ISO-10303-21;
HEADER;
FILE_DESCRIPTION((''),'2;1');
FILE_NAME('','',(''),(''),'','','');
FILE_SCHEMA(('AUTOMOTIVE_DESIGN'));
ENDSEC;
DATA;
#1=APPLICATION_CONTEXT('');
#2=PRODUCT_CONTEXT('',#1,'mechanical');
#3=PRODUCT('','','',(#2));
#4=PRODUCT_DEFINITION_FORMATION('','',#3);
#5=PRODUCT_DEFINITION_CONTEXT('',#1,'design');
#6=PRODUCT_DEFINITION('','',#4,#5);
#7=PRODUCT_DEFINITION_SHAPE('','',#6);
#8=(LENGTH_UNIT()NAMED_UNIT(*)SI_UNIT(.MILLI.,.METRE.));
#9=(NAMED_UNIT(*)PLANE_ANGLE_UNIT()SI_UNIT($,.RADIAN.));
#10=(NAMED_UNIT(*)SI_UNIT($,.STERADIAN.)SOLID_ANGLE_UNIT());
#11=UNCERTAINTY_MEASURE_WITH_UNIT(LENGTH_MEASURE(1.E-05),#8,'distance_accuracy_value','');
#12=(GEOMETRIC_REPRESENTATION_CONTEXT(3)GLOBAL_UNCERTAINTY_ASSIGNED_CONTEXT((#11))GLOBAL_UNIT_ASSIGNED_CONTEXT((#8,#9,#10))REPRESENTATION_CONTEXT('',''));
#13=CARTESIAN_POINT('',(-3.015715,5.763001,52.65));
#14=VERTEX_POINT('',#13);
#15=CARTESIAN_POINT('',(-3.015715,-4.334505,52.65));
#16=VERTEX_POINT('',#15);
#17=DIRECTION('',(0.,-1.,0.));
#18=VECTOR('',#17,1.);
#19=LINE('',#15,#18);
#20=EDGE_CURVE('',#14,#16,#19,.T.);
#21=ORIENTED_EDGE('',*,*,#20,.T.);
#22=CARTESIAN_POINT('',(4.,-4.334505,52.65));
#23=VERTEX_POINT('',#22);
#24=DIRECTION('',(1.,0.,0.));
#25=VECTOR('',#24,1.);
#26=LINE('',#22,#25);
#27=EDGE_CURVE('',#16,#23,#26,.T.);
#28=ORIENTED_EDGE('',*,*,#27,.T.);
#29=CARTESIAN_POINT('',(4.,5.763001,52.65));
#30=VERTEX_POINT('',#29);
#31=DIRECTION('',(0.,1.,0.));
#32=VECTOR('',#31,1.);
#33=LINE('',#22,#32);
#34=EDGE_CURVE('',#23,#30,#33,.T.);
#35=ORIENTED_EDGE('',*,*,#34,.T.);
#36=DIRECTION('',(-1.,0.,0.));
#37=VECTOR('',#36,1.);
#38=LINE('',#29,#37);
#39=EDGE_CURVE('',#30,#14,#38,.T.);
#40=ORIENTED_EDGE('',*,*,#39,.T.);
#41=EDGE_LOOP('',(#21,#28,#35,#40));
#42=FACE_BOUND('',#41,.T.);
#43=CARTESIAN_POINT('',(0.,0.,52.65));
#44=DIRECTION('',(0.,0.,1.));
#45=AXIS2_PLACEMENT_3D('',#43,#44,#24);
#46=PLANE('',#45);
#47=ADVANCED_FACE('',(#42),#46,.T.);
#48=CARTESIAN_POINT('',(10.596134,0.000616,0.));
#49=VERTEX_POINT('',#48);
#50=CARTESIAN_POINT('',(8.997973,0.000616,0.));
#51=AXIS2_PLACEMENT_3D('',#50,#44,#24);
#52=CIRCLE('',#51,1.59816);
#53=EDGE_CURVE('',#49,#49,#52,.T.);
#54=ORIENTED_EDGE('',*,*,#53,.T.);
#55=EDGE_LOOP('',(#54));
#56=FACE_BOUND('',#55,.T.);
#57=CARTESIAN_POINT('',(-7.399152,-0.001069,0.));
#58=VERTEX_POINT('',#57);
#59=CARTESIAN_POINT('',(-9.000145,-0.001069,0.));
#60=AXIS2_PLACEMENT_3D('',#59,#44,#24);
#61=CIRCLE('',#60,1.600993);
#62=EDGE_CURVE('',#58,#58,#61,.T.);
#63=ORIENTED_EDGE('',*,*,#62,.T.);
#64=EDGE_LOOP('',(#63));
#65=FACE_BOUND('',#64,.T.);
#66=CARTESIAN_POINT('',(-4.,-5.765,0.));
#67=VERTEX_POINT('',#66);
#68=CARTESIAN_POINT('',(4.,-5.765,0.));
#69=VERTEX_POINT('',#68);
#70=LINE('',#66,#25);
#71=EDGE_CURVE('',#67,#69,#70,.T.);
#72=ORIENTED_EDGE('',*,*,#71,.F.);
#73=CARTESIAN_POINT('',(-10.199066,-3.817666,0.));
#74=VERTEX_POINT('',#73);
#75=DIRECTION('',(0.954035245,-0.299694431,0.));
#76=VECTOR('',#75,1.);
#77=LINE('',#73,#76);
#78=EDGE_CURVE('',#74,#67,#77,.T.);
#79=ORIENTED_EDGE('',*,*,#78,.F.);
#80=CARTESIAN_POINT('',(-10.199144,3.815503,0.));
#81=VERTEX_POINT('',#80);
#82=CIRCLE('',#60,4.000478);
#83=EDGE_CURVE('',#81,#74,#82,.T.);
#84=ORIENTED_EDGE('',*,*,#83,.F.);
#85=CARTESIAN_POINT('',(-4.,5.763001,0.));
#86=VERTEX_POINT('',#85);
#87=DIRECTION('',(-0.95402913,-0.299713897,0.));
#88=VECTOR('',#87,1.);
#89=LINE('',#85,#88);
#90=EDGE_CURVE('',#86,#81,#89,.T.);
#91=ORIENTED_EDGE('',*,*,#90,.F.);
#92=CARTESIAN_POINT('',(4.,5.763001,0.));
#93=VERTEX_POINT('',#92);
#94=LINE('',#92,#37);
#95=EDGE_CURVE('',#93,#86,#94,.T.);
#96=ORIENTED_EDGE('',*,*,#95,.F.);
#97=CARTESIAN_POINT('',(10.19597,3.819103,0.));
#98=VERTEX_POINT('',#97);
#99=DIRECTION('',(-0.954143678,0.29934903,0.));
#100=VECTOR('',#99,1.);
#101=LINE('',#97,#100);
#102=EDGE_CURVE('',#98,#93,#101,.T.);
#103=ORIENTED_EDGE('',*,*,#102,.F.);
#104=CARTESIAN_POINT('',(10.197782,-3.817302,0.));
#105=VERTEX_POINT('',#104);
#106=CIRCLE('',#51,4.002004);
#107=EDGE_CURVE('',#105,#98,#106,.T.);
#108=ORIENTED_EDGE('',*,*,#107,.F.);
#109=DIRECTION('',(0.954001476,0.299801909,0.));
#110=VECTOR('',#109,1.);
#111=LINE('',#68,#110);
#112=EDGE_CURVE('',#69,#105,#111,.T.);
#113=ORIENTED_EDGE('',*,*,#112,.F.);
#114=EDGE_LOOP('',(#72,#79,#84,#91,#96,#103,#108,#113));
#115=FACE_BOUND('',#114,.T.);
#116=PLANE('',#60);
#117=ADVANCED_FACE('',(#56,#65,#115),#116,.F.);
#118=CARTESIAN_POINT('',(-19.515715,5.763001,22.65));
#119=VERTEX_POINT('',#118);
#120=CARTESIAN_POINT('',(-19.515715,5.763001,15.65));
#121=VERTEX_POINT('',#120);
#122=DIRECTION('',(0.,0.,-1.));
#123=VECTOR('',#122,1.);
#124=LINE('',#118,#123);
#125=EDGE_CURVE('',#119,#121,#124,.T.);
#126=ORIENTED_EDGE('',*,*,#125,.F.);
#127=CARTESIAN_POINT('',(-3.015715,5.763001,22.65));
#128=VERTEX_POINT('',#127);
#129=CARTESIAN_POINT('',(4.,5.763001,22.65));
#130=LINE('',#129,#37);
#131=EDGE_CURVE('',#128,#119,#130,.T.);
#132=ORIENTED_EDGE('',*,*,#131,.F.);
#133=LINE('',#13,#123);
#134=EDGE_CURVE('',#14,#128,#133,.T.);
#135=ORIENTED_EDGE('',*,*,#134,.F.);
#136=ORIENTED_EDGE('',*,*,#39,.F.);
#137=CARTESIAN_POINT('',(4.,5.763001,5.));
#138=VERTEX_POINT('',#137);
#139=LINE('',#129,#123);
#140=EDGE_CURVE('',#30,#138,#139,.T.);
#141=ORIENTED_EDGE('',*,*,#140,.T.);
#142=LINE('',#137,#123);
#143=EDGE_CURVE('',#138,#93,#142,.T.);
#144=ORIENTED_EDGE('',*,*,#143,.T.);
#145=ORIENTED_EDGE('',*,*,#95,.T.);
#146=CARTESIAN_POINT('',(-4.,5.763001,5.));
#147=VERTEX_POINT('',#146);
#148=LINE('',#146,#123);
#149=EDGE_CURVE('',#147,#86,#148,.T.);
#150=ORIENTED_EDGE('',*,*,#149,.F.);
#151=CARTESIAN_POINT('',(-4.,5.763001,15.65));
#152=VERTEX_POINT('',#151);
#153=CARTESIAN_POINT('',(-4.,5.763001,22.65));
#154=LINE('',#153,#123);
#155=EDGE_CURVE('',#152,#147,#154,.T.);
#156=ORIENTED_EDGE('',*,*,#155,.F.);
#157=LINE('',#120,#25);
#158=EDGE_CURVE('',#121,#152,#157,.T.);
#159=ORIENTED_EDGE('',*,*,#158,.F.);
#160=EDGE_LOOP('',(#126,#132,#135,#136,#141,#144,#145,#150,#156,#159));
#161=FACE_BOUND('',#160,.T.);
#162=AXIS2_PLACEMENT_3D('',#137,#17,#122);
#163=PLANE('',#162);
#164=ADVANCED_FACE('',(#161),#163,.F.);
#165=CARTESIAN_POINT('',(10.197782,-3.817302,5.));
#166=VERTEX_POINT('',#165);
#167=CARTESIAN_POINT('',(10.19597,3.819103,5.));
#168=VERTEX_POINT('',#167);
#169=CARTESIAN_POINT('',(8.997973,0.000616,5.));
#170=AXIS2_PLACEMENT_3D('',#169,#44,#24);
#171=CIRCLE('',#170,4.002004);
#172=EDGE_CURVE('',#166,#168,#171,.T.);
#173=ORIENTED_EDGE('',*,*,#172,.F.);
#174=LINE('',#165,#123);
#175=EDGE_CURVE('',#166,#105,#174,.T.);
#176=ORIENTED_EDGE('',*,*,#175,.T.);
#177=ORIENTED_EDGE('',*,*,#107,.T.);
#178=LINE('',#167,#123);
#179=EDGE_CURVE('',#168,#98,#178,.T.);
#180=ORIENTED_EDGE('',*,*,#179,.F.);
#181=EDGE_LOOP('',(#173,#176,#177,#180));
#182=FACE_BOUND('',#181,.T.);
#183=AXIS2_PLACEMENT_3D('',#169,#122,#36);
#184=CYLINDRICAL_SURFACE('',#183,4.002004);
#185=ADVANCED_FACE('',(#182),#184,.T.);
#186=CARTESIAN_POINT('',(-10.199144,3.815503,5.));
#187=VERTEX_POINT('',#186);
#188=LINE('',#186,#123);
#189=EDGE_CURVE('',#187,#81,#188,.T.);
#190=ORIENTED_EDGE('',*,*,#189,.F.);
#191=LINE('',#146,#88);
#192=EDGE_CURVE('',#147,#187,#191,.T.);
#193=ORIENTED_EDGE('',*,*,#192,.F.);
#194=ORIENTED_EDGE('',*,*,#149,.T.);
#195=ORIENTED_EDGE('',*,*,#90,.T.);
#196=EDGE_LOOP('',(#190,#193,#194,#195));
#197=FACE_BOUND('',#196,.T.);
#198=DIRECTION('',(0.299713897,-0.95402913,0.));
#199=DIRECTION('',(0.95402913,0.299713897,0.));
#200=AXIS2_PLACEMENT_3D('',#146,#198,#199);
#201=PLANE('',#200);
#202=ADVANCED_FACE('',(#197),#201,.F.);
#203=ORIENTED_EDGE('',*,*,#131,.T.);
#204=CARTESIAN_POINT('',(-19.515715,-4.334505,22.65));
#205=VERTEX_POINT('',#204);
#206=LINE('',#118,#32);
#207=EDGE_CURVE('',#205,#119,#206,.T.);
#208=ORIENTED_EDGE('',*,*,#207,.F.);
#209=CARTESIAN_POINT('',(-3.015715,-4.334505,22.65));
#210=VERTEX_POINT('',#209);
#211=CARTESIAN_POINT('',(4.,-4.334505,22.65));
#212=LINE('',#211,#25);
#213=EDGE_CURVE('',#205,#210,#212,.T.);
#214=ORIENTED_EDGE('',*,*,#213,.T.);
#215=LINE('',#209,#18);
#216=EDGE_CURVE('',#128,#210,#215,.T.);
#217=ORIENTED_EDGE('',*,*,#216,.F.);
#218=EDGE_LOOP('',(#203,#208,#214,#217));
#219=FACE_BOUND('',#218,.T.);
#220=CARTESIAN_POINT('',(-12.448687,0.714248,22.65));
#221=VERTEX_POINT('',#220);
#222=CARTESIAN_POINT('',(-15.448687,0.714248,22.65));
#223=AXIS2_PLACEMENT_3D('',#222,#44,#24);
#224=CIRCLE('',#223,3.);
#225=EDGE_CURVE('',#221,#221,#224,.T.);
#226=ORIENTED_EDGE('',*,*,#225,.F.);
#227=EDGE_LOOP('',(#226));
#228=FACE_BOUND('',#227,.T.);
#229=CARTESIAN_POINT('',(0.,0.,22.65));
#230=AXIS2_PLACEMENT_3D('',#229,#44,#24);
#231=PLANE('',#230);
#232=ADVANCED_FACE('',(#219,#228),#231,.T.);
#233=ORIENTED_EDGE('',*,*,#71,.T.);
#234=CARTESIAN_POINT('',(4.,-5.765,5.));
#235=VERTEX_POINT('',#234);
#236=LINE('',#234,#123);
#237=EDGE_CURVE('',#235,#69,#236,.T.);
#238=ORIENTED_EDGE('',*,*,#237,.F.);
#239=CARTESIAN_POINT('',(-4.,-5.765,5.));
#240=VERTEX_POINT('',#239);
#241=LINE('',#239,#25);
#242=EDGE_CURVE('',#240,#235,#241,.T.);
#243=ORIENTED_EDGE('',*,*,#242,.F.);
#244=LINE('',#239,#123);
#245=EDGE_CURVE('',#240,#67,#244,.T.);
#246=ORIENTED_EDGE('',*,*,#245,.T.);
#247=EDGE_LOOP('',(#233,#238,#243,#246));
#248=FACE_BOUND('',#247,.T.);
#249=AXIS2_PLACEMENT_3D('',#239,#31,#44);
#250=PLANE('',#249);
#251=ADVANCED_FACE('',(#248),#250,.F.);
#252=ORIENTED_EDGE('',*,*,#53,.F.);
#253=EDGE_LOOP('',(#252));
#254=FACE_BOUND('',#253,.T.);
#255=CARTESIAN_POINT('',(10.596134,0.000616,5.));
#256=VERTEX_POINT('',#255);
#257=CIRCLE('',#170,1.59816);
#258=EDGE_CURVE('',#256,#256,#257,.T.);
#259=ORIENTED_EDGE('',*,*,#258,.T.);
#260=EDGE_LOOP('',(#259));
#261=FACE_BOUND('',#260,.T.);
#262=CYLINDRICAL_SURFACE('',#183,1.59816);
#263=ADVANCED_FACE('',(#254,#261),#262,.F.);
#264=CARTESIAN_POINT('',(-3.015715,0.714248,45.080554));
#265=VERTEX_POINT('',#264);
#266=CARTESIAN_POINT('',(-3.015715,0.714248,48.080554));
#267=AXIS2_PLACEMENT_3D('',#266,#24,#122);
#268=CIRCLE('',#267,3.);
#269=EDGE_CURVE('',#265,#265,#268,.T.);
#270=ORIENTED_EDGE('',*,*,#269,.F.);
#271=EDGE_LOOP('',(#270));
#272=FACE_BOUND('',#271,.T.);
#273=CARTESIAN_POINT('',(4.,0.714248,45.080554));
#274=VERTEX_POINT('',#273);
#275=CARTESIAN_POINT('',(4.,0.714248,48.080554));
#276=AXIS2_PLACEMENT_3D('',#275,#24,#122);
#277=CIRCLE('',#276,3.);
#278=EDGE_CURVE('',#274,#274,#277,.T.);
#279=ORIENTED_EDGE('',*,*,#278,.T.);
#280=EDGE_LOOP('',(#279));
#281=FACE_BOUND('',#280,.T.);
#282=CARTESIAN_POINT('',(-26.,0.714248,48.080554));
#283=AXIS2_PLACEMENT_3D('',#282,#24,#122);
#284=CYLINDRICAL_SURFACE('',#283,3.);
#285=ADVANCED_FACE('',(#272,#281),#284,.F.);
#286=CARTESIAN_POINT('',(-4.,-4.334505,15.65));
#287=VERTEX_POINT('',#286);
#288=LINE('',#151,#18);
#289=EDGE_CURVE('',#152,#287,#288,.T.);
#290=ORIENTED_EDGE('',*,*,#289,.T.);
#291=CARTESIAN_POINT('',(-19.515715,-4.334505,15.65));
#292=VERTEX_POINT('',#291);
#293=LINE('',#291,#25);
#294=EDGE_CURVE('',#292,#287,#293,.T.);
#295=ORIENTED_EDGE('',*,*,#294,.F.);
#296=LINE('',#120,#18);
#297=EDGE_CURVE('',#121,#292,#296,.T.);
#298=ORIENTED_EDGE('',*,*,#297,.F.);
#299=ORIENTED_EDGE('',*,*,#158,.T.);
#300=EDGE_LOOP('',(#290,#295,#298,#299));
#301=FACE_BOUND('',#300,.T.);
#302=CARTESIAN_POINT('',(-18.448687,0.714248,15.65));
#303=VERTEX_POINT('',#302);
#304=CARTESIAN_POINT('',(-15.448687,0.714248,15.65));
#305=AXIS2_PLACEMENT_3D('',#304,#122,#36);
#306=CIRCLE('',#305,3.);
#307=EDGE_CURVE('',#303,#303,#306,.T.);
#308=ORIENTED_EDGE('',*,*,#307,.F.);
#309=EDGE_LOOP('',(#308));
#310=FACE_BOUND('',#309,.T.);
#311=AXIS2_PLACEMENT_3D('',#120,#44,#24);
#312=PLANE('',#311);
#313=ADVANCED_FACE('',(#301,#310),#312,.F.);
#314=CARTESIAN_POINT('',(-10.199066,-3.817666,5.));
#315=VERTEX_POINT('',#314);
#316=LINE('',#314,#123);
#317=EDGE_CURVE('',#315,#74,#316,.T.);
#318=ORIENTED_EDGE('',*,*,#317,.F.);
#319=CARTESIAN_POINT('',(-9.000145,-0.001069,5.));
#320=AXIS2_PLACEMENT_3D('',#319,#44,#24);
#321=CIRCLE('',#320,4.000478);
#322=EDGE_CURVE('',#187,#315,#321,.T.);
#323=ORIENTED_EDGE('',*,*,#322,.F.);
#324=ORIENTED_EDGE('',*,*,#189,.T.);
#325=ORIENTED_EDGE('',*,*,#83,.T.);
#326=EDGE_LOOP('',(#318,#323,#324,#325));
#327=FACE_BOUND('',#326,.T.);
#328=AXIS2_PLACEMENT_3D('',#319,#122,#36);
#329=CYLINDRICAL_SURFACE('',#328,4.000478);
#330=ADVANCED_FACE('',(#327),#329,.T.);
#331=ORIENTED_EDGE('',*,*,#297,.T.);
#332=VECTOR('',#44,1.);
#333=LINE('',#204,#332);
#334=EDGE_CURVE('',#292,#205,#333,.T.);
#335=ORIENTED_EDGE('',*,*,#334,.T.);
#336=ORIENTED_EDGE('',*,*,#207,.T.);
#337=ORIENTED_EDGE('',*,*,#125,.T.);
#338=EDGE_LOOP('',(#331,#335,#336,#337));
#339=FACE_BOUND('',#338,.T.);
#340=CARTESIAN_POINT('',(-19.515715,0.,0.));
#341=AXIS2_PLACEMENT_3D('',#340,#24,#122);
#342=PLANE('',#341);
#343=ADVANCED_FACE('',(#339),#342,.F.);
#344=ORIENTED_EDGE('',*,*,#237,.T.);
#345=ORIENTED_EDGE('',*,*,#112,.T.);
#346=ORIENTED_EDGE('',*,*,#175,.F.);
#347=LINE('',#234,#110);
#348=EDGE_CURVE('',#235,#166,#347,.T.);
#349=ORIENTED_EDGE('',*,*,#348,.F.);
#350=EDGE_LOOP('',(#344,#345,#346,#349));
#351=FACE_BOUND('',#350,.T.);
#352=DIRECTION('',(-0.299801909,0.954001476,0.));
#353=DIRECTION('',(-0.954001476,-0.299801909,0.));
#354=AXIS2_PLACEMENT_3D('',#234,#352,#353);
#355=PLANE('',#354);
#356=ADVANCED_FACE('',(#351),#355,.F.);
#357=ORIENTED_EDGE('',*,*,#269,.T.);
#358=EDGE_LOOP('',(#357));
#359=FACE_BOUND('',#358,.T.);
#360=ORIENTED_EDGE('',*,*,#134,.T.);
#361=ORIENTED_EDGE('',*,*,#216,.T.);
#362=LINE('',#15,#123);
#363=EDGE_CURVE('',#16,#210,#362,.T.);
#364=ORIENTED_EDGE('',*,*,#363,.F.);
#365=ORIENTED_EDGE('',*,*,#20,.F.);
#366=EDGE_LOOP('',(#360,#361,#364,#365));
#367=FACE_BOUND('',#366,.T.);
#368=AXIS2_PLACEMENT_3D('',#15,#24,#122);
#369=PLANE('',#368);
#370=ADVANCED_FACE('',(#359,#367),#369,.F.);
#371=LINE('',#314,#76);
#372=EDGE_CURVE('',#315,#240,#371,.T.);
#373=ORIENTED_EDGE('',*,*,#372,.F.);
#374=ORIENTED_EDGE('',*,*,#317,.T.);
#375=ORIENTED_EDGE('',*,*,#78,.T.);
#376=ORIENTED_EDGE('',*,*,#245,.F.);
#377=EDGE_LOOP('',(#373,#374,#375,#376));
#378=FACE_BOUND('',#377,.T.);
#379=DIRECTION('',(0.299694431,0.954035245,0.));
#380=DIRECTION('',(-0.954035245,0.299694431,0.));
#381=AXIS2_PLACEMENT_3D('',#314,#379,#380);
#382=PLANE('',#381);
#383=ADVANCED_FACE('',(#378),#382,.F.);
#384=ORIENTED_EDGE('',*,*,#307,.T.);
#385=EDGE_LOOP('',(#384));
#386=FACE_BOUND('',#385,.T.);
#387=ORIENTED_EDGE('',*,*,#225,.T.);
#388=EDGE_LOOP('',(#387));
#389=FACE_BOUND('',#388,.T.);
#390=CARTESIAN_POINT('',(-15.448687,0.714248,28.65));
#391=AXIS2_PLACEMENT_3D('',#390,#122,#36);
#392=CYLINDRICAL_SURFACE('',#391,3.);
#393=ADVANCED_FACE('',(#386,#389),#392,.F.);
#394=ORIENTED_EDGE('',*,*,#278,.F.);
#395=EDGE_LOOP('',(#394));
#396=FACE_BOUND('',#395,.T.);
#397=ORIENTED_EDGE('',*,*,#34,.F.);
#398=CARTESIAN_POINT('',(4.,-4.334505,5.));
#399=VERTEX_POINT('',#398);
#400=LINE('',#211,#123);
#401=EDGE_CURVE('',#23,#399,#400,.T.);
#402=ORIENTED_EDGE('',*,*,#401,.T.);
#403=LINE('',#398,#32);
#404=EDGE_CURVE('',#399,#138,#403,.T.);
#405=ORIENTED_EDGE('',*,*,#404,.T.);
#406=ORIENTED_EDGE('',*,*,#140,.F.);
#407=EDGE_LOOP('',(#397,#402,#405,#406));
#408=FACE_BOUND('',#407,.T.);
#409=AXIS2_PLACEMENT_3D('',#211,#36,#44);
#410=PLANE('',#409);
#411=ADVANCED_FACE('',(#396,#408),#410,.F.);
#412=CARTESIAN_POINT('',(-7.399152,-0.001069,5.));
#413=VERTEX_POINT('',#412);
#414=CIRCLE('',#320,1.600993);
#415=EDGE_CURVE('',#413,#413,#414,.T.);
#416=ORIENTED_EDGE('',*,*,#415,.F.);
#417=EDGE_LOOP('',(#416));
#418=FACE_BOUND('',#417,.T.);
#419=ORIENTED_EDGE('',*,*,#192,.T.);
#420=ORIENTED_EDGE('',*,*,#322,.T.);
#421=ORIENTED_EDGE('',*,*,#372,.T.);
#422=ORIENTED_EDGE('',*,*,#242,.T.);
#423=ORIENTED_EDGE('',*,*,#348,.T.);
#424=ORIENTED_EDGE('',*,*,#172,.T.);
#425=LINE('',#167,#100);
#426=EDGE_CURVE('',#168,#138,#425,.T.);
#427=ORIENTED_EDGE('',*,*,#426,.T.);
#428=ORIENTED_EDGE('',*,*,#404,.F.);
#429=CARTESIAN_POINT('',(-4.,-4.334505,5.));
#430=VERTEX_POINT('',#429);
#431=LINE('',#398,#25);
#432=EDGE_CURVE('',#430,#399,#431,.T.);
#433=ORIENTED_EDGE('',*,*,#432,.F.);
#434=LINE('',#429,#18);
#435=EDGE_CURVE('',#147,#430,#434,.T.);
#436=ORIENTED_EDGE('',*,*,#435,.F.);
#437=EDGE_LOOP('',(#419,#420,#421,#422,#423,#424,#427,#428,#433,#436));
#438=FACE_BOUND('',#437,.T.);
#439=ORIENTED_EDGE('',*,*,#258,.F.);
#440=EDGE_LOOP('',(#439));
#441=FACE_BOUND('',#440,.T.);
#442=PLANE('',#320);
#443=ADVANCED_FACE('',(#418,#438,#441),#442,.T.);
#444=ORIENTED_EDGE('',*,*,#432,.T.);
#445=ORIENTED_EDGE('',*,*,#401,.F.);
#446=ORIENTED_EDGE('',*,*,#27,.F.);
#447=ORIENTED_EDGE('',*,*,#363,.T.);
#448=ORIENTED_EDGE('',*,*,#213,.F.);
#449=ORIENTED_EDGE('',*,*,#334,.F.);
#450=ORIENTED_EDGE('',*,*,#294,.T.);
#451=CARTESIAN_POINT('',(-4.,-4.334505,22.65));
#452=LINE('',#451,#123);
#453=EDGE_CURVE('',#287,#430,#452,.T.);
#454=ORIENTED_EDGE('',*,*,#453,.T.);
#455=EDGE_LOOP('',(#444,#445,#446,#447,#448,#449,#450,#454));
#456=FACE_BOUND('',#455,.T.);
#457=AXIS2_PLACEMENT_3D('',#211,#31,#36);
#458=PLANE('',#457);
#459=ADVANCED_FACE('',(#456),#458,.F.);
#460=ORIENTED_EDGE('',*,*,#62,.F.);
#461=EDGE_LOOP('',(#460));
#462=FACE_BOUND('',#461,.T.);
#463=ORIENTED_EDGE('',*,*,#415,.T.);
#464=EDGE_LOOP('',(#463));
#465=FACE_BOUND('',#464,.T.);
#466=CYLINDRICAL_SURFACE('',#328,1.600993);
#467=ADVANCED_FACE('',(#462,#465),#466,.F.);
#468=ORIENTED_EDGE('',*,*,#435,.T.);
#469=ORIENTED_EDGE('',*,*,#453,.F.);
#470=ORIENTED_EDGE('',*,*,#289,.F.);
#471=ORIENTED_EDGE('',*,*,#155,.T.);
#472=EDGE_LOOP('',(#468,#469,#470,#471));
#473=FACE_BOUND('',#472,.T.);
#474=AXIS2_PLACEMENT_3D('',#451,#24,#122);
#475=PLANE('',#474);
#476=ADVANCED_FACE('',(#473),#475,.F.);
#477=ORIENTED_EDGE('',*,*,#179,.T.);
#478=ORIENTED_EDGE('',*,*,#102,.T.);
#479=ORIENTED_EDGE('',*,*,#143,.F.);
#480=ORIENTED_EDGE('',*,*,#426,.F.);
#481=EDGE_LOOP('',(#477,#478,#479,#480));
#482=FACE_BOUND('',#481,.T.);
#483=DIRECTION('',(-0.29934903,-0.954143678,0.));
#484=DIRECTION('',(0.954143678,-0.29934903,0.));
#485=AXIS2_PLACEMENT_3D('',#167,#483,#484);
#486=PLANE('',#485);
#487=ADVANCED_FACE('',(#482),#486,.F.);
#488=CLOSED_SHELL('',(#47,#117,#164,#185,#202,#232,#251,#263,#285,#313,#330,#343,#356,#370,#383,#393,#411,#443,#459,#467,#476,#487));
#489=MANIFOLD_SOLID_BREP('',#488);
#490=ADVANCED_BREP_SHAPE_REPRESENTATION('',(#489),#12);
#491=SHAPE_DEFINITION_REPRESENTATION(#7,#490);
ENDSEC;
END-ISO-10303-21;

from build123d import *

# Parameters (mm, degrees)
ESBO_O1_R                = 1.598160281
ESBO_O1_R_2              = 1.600993429
RESSALTO_EXTRUS_O1_DEPTH = 5
ESBO_O2_W                = 8.00000038
ESBO_O2_H                = 10.097505558
RESSALTO_EXTRUS_O2_DEPTH = 17.65
ESBO_O3_W                = 7
ESBO_O3_H                = 10.097505558
RESSALTO_EXTRUS_O3_DEPTH = 15.515714
ESBO_O4_R                = 3
CORTE_EXTRUS_O1_DEPTH    = 13
ESBO_O5_W                = 7.0157148
ESBO_O5_H                = 10.097505558
RESSALTO_EXTRUS_O4_DEPTH = 30
ESBO_O6_R                = 3
CORTE_EXTRUS_O2_DEPTH    = 30


with BuildPart() as part:
    # Esboço1 → Ressalto-extrusão1 (new body)
    with BuildSketch(Plane.XY):
        with BuildLine():
            Line((-10.199065979, -3.817665654), (-4.00000019, -5.764999893))
            Line((-4.00000019, -5.764999893), (4.00000019, -5.764999893))
            Line((4.00000019, -5.764999893), (10.197782, -3.817301838))
            ThreePointArc((10.197782, -3.817301838), (12.999977706, 0.001566069), (10.195969576, 3.8191034))
            Line((10.195969576, 3.8191034), (4.00000019, 5.763000809))
            Line((4.00000019, 5.763000809), (-4.00000019, 5.763000809))
            Line((-4.00000019, 5.763000809), (-10.199143851, 3.815503142))
            ThreePointArc((-10.199143851, 3.815503142), (-13.000622723, -0.001109837), (-10.199065979, -3.817665654))
        make_face()
        with Locations((8.997973452, 0.000616233)):
            Circle(ESBO_O1_R, mode=Mode.SUBTRACT)
        with Locations((-9.000145119, -0.001069025)):
            Circle(ESBO_O1_R_2, mode=Mode.SUBTRACT)
    extrude(amount=RESSALTO_EXTRUS_O1_DEPTH)

    # Esboço2 → Ressalto-extrusão2 (add)
    with BuildSketch(Plane.XY.offset(5)):
        with Locations((0, 0.71424803)):
            Rectangle(ESBO_O2_W, ESBO_O2_H)
    extrude(amount=RESSALTO_EXTRUS_O2_DEPTH)

    # Esboço3 → Ressalto-extrusão3 (add)
    with BuildSketch(Plane.ZY.offset(4.00000019)):
        with Locations((19.15, 0.71424803)):
            Rectangle(ESBO_O3_W, ESBO_O3_H)
    extrude(amount=RESSALTO_EXTRUS_O3_DEPTH)

    # Esboço4 → Corte-extrusão1 (cut)
    with BuildSketch(Plane(origin=(0, 0, 15.65), x_dir=(-1, 0, 0), z_dir=(0, 0, -1))):
        with Locations((15.448687317, 0.71424803)):
            Circle(ESBO_O4_R)
    extrude(amount=-CORTE_EXTRUS_O1_DEPTH, mode=Mode.SUBTRACT)

    # Esboço5 → Ressalto-extrusão4 (add)
    with BuildSketch(Plane.XY.offset(22.65)):
        with Locations((0.49214279, 0.71424803)):
            Rectangle(ESBO_O5_W, ESBO_O5_H)
    extrude(amount=RESSALTO_EXTRUS_O4_DEPTH)

    # Esboço6 → Corte-extrusão2 (cut)
    with BuildSketch(Plane(origin=(4.00000019, 0, 0), x_dir=(0, 0, -1), z_dir=(1, 0, 0))):
        with Locations((-48.08055434, 0.71424803)):
            Circle(ESBO_O6_R)
    extrude(amount=-CORTE_EXTRUS_O2_DEPTH, mode=Mode.SUBTRACT)


solid = part.part
